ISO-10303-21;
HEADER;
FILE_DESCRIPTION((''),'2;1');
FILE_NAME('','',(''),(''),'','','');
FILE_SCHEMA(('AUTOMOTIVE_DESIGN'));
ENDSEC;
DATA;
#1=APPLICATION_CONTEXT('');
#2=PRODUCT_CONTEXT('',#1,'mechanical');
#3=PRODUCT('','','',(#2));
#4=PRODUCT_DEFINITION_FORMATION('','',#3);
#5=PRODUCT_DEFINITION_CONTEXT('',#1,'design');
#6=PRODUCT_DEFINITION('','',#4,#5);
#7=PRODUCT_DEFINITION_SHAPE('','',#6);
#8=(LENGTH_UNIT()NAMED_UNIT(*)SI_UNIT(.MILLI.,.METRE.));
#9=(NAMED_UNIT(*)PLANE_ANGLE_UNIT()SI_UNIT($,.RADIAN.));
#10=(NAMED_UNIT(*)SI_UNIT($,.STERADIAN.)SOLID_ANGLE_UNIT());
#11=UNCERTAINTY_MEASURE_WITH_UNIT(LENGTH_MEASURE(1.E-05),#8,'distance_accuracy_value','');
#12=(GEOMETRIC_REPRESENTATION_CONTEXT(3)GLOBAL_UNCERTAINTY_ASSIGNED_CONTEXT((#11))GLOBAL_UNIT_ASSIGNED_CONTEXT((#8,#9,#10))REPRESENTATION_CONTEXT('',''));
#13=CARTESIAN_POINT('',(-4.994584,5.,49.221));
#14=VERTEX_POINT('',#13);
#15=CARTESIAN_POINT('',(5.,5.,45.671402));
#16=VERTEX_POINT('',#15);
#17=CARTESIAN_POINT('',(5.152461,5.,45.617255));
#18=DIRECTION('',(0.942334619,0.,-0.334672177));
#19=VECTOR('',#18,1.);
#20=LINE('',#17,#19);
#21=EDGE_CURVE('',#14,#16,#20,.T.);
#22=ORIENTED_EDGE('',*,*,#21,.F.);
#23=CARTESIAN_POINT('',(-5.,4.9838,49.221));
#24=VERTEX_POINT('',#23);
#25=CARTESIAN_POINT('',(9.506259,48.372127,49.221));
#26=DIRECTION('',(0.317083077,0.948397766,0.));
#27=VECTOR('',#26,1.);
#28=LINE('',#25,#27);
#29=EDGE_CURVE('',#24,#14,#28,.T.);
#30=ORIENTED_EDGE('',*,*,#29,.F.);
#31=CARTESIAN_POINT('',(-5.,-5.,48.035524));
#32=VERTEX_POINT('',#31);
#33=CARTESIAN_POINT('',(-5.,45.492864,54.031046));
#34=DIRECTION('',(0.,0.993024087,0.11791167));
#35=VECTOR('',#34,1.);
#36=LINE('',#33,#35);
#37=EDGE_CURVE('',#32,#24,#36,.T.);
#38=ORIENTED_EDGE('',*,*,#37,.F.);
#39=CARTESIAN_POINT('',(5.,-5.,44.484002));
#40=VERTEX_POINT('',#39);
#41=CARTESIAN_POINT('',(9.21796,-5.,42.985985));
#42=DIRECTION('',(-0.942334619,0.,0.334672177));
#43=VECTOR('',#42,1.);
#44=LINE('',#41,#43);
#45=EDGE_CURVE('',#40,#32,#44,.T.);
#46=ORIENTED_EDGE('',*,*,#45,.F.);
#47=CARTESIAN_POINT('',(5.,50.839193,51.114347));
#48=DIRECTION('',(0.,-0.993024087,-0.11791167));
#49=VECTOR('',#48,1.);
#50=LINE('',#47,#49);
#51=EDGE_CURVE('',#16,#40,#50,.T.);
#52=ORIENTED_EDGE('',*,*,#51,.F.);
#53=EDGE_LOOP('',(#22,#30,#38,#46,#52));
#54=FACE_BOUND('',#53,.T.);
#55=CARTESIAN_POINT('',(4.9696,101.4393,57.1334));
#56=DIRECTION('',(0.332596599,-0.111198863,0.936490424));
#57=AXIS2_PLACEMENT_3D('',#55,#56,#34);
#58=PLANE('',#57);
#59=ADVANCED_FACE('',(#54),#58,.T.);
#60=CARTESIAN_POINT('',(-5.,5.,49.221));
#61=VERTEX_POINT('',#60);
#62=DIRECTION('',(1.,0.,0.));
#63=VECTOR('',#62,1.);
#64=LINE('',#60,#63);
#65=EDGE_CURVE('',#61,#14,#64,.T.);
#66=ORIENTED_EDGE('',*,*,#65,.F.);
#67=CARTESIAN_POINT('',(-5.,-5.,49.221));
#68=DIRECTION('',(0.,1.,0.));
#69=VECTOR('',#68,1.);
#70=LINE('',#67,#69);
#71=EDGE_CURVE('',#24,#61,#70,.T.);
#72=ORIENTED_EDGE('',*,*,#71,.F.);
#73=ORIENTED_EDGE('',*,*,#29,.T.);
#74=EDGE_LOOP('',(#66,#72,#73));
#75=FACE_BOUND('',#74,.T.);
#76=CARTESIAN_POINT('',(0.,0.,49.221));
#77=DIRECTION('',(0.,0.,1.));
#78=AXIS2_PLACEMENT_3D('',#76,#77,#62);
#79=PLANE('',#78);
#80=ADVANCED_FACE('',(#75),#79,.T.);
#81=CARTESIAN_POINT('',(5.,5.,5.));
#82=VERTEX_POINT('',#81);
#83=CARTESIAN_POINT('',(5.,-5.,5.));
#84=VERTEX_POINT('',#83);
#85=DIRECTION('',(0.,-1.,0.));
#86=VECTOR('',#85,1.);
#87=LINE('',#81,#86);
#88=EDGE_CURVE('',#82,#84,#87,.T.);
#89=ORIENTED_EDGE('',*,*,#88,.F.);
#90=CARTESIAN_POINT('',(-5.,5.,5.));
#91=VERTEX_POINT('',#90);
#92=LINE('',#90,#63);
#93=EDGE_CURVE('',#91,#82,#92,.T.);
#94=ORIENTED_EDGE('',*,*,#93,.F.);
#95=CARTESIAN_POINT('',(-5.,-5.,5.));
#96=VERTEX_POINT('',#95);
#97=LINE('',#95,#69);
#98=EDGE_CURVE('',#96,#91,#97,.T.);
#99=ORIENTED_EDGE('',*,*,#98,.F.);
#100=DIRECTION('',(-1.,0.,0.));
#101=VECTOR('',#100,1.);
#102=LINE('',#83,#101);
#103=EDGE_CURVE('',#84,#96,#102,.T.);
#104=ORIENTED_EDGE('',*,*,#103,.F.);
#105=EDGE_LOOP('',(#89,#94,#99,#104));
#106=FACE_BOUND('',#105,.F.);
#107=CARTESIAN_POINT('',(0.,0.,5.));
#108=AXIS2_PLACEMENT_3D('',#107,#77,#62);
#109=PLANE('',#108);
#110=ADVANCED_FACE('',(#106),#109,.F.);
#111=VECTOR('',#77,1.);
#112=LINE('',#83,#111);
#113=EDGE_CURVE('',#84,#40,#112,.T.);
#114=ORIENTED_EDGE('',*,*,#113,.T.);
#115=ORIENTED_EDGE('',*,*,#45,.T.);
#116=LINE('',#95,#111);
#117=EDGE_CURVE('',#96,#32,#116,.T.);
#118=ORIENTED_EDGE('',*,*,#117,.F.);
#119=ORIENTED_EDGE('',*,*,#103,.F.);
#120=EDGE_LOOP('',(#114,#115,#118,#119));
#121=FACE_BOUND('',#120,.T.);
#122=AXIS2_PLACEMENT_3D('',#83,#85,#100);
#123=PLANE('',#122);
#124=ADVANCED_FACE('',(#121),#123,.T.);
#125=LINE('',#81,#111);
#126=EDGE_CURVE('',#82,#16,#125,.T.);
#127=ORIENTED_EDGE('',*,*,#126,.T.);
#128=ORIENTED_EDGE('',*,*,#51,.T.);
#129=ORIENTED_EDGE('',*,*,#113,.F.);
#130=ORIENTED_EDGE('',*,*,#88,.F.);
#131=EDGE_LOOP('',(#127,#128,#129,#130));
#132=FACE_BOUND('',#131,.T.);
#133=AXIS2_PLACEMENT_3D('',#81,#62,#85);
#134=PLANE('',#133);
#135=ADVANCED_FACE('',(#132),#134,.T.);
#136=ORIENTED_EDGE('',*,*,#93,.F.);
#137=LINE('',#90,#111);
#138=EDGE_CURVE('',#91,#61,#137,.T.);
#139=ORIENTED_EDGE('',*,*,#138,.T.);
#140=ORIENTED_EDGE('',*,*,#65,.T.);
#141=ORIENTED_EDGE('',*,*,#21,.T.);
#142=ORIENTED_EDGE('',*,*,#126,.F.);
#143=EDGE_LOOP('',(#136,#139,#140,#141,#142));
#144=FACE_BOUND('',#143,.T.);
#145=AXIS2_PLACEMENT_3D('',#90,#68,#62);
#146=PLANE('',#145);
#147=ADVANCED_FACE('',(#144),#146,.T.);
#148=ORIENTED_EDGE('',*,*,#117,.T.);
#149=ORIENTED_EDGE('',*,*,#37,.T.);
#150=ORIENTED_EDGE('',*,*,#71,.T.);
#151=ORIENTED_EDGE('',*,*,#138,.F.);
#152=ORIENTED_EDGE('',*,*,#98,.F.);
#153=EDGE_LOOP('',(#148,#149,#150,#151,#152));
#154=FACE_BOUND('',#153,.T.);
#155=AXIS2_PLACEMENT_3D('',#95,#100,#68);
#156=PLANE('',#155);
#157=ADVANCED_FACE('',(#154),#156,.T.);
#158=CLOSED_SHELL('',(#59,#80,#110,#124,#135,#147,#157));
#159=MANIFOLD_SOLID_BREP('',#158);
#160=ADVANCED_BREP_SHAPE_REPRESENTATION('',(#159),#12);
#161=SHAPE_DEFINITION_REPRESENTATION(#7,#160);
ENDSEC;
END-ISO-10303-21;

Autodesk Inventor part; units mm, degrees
ref_plane "Start Plane" through (0, 0, 5) normal (0, 0, 1) x (1, 0, 0)
ref_plane "End Plane" through (0, 0, 49.221) normal (0, 0, 1) x (1, 0, 0)
sketch "Sketch" plane through (0, 0, 0) normal (0, 0, 1) x (1, 0, 0)
  line L0 (5, -5) -> (-5, -5)
  line L1 (-5, -5) -> (-5, 5)
  line L2 (-5, 5) -> (5, 5)
  line L3 (5, 5) -> (5, -5)
  line L4 (-6, 0) -> (8, 0) construction
  line L5 (0, -30) -> (0, 40) construction
  line L6 (0, 54) -> (0, -44) construction
  line L7 (-9.2, 0) -> (13.2, 0) construction
  dimension "d0" = 10
  dimension "d1" = 10
  dimension "d4" = 5
  dimension "d5" = 5
extrude "Body" add sketch "Sketch" along normal up to surface (44.221 mm away) from surface at 5
sketch "Sketch3" plane through (0, 0, 0) normal (0, 0, 1) x (1, 0, 0)
  line L0 (0, 0) -> (10, 0)
ref_plane "Work Plane3" through (0, 0, 0) normal (0, -1, 0) x (1, 0, 0)
sketch "Sketch4" plane through (0, 0, 0) normal (0, -1, 0) x (1, 0, 0)
  line L0 (-2, 5) -> (12, 5)
  line L1 (-2, 49.221) -> (12, 49.221)
  dimension "d9" = 44.221
ref_plane "Work Plane4" through (4.9696, 101.4393, 57.1334) normal (0.3326, -0.1112, 0.9365) x (0.9429, 0.0191, -0.3326)
split "Split1" plane through (4.9696, 101.4393, 57.1334) removes the side toward (0.3326, -0.1112, 0.9365)
ref_plane "Work Plane8" through (-0.9828, -58.0991, 5) normal (0, 0, -1) x (-1, 0, 0)
split "Split5" plane through (-0.9828, -58.0991, 5) removes the side toward (0, 0, -1)
equation "\"d0\" = G_W"
equation "\"d1\" = G_H"
equation "\"d4\" = 0.5 * d1"
equation "\"d5\" = 0.5 * d0"
equation "\"d2\" = G_L"
equation "\"G_W\" = 10"
equation "\"G_H\" = 10"
equation "\"G_L\" = d9"
equation "\"G_OFFSET_START\" = -5"
equation "\"G_OFFSET_END\" = -8.30874"
equation "\"d6\" = -G_OFFSET_START"
equation "\"d7\" = G_OFFSET_END + B_L"
equation "\"B_L\" = 57.52978"
properties part number "ISO 1035/2 - 10 x 10 - 44.22" material "Steel, Mild"
